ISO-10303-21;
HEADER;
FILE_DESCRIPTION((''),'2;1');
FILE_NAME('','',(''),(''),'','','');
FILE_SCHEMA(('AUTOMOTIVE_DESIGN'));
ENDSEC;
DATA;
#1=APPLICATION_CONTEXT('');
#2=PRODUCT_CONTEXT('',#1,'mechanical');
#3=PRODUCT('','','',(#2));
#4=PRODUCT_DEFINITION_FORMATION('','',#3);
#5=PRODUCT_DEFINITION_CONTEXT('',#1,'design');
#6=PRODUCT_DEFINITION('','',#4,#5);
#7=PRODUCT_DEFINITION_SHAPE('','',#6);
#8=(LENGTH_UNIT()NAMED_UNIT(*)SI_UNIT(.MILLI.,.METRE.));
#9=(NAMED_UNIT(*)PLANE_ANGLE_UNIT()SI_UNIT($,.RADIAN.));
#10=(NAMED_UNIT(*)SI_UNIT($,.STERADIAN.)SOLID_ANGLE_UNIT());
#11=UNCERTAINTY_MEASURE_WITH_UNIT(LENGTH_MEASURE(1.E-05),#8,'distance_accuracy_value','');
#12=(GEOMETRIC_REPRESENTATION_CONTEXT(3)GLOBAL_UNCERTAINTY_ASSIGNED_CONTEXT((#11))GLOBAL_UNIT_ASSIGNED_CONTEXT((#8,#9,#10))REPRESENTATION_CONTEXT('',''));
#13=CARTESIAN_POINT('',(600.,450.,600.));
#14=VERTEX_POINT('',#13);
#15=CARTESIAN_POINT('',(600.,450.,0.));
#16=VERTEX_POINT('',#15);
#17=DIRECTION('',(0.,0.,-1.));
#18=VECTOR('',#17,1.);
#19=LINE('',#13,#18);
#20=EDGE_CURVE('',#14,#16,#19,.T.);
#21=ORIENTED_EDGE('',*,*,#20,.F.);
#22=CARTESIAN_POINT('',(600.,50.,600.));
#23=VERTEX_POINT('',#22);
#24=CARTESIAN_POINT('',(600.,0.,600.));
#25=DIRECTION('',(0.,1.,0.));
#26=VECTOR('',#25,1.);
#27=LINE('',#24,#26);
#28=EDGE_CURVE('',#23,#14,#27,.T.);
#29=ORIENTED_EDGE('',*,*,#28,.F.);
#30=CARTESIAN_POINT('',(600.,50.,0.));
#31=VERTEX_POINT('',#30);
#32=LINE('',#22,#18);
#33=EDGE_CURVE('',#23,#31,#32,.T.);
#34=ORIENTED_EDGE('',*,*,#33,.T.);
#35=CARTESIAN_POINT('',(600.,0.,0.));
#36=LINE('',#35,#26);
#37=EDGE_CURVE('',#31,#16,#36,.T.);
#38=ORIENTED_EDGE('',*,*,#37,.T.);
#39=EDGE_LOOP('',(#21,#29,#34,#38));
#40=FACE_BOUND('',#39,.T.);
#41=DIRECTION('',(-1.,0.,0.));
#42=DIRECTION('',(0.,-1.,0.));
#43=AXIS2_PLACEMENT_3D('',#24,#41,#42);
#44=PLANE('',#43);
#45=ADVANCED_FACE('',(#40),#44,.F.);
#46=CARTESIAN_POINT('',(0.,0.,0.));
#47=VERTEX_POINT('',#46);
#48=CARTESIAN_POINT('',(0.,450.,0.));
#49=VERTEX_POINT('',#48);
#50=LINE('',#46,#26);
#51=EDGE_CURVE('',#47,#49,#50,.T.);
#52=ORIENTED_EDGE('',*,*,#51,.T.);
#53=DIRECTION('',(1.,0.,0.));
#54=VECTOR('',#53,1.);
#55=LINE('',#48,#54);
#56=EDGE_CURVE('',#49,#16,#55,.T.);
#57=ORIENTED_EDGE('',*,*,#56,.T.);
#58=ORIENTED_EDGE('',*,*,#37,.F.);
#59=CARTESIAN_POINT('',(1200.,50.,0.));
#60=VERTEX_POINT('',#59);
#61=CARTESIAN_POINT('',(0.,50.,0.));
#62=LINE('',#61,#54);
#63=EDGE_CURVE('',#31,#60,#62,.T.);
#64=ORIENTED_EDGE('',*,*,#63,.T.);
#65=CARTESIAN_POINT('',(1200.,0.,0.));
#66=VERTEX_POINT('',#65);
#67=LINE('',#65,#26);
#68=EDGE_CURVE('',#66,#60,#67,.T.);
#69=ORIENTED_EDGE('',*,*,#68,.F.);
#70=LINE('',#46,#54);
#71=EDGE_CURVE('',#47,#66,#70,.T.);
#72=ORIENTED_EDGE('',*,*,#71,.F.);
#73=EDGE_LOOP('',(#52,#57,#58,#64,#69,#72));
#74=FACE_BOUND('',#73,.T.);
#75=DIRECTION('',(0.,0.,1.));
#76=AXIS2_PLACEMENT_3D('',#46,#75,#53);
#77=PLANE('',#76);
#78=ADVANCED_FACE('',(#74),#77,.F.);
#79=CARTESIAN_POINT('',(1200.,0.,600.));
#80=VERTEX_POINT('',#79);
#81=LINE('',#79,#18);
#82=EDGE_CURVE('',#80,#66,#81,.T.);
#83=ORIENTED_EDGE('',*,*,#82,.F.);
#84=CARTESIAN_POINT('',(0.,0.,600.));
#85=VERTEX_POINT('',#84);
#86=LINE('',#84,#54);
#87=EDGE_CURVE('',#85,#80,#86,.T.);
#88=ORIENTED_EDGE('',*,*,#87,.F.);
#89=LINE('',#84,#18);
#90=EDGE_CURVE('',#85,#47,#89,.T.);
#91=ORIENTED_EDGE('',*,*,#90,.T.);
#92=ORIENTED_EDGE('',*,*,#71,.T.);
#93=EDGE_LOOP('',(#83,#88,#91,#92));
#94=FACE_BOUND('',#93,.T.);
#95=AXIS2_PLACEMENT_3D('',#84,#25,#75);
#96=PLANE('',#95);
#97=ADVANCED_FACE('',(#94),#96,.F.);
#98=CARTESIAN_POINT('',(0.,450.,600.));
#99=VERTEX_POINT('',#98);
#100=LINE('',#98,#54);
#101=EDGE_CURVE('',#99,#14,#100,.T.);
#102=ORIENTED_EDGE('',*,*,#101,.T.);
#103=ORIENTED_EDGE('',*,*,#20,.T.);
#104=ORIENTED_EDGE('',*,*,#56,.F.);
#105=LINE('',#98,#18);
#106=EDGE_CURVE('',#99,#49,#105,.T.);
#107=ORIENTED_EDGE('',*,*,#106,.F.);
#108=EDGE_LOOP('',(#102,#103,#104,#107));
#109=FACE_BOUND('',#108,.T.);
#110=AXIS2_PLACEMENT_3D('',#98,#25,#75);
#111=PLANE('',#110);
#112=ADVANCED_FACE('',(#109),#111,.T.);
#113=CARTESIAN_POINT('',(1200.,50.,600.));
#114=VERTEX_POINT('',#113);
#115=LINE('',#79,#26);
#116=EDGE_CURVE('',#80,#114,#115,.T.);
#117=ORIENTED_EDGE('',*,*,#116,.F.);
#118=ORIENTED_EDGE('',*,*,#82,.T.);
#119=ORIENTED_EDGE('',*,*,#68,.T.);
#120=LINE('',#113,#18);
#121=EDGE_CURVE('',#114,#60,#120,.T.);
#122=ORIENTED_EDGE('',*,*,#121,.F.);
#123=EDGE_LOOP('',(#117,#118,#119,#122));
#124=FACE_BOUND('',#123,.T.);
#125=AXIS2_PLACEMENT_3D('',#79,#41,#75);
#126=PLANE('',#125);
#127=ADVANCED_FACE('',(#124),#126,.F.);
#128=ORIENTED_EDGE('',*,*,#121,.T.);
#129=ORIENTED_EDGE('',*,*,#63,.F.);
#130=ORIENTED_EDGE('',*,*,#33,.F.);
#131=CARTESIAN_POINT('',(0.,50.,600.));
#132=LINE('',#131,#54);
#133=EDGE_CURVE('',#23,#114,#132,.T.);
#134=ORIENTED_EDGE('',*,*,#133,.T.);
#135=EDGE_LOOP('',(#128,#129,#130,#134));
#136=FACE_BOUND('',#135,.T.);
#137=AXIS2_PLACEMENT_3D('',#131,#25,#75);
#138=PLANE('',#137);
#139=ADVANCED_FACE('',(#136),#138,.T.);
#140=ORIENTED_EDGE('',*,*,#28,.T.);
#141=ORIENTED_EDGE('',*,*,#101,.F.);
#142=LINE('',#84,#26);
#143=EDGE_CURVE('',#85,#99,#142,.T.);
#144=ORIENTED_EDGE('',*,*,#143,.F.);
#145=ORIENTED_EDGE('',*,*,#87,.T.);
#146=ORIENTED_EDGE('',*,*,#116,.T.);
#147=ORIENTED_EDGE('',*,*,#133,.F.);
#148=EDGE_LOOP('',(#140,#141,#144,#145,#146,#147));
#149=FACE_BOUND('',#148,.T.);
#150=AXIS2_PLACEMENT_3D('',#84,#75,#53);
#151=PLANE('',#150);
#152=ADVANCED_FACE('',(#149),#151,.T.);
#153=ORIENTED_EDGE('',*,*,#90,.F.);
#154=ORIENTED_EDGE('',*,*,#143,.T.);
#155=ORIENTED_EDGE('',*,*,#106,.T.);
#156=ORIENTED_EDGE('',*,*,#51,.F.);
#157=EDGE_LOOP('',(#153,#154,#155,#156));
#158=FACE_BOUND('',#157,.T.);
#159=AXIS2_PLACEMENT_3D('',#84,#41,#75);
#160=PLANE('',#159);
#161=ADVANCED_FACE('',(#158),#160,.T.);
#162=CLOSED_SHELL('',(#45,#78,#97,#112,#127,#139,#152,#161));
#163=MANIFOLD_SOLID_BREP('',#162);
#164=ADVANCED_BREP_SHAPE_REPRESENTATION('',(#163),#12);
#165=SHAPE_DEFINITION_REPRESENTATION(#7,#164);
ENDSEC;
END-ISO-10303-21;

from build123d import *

# Parameters (mm, degrees)
SKETCH_1_W      = 1200
SKETCH_1_H      = 50
SKETCH_1_W_2    = 600
SKETCH_1_H_2    = 400
EXTRUDE_1_DEPTH = 600


with BuildPart() as part:
    # ｽｹｯﾁ1 → ﾎﾞｽ - 押し出し1 (new body)
    with BuildSketch(Plane.XY):
        with Locations((600, 25)):
            Rectangle(SKETCH_1_W, SKETCH_1_H)
        with Locations((300, 250)):
            Rectangle(SKETCH_1_W_2, SKETCH_1_H_2)
    extrude(amount=EXTRUDE_1_DEPTH)


solid = part.part
